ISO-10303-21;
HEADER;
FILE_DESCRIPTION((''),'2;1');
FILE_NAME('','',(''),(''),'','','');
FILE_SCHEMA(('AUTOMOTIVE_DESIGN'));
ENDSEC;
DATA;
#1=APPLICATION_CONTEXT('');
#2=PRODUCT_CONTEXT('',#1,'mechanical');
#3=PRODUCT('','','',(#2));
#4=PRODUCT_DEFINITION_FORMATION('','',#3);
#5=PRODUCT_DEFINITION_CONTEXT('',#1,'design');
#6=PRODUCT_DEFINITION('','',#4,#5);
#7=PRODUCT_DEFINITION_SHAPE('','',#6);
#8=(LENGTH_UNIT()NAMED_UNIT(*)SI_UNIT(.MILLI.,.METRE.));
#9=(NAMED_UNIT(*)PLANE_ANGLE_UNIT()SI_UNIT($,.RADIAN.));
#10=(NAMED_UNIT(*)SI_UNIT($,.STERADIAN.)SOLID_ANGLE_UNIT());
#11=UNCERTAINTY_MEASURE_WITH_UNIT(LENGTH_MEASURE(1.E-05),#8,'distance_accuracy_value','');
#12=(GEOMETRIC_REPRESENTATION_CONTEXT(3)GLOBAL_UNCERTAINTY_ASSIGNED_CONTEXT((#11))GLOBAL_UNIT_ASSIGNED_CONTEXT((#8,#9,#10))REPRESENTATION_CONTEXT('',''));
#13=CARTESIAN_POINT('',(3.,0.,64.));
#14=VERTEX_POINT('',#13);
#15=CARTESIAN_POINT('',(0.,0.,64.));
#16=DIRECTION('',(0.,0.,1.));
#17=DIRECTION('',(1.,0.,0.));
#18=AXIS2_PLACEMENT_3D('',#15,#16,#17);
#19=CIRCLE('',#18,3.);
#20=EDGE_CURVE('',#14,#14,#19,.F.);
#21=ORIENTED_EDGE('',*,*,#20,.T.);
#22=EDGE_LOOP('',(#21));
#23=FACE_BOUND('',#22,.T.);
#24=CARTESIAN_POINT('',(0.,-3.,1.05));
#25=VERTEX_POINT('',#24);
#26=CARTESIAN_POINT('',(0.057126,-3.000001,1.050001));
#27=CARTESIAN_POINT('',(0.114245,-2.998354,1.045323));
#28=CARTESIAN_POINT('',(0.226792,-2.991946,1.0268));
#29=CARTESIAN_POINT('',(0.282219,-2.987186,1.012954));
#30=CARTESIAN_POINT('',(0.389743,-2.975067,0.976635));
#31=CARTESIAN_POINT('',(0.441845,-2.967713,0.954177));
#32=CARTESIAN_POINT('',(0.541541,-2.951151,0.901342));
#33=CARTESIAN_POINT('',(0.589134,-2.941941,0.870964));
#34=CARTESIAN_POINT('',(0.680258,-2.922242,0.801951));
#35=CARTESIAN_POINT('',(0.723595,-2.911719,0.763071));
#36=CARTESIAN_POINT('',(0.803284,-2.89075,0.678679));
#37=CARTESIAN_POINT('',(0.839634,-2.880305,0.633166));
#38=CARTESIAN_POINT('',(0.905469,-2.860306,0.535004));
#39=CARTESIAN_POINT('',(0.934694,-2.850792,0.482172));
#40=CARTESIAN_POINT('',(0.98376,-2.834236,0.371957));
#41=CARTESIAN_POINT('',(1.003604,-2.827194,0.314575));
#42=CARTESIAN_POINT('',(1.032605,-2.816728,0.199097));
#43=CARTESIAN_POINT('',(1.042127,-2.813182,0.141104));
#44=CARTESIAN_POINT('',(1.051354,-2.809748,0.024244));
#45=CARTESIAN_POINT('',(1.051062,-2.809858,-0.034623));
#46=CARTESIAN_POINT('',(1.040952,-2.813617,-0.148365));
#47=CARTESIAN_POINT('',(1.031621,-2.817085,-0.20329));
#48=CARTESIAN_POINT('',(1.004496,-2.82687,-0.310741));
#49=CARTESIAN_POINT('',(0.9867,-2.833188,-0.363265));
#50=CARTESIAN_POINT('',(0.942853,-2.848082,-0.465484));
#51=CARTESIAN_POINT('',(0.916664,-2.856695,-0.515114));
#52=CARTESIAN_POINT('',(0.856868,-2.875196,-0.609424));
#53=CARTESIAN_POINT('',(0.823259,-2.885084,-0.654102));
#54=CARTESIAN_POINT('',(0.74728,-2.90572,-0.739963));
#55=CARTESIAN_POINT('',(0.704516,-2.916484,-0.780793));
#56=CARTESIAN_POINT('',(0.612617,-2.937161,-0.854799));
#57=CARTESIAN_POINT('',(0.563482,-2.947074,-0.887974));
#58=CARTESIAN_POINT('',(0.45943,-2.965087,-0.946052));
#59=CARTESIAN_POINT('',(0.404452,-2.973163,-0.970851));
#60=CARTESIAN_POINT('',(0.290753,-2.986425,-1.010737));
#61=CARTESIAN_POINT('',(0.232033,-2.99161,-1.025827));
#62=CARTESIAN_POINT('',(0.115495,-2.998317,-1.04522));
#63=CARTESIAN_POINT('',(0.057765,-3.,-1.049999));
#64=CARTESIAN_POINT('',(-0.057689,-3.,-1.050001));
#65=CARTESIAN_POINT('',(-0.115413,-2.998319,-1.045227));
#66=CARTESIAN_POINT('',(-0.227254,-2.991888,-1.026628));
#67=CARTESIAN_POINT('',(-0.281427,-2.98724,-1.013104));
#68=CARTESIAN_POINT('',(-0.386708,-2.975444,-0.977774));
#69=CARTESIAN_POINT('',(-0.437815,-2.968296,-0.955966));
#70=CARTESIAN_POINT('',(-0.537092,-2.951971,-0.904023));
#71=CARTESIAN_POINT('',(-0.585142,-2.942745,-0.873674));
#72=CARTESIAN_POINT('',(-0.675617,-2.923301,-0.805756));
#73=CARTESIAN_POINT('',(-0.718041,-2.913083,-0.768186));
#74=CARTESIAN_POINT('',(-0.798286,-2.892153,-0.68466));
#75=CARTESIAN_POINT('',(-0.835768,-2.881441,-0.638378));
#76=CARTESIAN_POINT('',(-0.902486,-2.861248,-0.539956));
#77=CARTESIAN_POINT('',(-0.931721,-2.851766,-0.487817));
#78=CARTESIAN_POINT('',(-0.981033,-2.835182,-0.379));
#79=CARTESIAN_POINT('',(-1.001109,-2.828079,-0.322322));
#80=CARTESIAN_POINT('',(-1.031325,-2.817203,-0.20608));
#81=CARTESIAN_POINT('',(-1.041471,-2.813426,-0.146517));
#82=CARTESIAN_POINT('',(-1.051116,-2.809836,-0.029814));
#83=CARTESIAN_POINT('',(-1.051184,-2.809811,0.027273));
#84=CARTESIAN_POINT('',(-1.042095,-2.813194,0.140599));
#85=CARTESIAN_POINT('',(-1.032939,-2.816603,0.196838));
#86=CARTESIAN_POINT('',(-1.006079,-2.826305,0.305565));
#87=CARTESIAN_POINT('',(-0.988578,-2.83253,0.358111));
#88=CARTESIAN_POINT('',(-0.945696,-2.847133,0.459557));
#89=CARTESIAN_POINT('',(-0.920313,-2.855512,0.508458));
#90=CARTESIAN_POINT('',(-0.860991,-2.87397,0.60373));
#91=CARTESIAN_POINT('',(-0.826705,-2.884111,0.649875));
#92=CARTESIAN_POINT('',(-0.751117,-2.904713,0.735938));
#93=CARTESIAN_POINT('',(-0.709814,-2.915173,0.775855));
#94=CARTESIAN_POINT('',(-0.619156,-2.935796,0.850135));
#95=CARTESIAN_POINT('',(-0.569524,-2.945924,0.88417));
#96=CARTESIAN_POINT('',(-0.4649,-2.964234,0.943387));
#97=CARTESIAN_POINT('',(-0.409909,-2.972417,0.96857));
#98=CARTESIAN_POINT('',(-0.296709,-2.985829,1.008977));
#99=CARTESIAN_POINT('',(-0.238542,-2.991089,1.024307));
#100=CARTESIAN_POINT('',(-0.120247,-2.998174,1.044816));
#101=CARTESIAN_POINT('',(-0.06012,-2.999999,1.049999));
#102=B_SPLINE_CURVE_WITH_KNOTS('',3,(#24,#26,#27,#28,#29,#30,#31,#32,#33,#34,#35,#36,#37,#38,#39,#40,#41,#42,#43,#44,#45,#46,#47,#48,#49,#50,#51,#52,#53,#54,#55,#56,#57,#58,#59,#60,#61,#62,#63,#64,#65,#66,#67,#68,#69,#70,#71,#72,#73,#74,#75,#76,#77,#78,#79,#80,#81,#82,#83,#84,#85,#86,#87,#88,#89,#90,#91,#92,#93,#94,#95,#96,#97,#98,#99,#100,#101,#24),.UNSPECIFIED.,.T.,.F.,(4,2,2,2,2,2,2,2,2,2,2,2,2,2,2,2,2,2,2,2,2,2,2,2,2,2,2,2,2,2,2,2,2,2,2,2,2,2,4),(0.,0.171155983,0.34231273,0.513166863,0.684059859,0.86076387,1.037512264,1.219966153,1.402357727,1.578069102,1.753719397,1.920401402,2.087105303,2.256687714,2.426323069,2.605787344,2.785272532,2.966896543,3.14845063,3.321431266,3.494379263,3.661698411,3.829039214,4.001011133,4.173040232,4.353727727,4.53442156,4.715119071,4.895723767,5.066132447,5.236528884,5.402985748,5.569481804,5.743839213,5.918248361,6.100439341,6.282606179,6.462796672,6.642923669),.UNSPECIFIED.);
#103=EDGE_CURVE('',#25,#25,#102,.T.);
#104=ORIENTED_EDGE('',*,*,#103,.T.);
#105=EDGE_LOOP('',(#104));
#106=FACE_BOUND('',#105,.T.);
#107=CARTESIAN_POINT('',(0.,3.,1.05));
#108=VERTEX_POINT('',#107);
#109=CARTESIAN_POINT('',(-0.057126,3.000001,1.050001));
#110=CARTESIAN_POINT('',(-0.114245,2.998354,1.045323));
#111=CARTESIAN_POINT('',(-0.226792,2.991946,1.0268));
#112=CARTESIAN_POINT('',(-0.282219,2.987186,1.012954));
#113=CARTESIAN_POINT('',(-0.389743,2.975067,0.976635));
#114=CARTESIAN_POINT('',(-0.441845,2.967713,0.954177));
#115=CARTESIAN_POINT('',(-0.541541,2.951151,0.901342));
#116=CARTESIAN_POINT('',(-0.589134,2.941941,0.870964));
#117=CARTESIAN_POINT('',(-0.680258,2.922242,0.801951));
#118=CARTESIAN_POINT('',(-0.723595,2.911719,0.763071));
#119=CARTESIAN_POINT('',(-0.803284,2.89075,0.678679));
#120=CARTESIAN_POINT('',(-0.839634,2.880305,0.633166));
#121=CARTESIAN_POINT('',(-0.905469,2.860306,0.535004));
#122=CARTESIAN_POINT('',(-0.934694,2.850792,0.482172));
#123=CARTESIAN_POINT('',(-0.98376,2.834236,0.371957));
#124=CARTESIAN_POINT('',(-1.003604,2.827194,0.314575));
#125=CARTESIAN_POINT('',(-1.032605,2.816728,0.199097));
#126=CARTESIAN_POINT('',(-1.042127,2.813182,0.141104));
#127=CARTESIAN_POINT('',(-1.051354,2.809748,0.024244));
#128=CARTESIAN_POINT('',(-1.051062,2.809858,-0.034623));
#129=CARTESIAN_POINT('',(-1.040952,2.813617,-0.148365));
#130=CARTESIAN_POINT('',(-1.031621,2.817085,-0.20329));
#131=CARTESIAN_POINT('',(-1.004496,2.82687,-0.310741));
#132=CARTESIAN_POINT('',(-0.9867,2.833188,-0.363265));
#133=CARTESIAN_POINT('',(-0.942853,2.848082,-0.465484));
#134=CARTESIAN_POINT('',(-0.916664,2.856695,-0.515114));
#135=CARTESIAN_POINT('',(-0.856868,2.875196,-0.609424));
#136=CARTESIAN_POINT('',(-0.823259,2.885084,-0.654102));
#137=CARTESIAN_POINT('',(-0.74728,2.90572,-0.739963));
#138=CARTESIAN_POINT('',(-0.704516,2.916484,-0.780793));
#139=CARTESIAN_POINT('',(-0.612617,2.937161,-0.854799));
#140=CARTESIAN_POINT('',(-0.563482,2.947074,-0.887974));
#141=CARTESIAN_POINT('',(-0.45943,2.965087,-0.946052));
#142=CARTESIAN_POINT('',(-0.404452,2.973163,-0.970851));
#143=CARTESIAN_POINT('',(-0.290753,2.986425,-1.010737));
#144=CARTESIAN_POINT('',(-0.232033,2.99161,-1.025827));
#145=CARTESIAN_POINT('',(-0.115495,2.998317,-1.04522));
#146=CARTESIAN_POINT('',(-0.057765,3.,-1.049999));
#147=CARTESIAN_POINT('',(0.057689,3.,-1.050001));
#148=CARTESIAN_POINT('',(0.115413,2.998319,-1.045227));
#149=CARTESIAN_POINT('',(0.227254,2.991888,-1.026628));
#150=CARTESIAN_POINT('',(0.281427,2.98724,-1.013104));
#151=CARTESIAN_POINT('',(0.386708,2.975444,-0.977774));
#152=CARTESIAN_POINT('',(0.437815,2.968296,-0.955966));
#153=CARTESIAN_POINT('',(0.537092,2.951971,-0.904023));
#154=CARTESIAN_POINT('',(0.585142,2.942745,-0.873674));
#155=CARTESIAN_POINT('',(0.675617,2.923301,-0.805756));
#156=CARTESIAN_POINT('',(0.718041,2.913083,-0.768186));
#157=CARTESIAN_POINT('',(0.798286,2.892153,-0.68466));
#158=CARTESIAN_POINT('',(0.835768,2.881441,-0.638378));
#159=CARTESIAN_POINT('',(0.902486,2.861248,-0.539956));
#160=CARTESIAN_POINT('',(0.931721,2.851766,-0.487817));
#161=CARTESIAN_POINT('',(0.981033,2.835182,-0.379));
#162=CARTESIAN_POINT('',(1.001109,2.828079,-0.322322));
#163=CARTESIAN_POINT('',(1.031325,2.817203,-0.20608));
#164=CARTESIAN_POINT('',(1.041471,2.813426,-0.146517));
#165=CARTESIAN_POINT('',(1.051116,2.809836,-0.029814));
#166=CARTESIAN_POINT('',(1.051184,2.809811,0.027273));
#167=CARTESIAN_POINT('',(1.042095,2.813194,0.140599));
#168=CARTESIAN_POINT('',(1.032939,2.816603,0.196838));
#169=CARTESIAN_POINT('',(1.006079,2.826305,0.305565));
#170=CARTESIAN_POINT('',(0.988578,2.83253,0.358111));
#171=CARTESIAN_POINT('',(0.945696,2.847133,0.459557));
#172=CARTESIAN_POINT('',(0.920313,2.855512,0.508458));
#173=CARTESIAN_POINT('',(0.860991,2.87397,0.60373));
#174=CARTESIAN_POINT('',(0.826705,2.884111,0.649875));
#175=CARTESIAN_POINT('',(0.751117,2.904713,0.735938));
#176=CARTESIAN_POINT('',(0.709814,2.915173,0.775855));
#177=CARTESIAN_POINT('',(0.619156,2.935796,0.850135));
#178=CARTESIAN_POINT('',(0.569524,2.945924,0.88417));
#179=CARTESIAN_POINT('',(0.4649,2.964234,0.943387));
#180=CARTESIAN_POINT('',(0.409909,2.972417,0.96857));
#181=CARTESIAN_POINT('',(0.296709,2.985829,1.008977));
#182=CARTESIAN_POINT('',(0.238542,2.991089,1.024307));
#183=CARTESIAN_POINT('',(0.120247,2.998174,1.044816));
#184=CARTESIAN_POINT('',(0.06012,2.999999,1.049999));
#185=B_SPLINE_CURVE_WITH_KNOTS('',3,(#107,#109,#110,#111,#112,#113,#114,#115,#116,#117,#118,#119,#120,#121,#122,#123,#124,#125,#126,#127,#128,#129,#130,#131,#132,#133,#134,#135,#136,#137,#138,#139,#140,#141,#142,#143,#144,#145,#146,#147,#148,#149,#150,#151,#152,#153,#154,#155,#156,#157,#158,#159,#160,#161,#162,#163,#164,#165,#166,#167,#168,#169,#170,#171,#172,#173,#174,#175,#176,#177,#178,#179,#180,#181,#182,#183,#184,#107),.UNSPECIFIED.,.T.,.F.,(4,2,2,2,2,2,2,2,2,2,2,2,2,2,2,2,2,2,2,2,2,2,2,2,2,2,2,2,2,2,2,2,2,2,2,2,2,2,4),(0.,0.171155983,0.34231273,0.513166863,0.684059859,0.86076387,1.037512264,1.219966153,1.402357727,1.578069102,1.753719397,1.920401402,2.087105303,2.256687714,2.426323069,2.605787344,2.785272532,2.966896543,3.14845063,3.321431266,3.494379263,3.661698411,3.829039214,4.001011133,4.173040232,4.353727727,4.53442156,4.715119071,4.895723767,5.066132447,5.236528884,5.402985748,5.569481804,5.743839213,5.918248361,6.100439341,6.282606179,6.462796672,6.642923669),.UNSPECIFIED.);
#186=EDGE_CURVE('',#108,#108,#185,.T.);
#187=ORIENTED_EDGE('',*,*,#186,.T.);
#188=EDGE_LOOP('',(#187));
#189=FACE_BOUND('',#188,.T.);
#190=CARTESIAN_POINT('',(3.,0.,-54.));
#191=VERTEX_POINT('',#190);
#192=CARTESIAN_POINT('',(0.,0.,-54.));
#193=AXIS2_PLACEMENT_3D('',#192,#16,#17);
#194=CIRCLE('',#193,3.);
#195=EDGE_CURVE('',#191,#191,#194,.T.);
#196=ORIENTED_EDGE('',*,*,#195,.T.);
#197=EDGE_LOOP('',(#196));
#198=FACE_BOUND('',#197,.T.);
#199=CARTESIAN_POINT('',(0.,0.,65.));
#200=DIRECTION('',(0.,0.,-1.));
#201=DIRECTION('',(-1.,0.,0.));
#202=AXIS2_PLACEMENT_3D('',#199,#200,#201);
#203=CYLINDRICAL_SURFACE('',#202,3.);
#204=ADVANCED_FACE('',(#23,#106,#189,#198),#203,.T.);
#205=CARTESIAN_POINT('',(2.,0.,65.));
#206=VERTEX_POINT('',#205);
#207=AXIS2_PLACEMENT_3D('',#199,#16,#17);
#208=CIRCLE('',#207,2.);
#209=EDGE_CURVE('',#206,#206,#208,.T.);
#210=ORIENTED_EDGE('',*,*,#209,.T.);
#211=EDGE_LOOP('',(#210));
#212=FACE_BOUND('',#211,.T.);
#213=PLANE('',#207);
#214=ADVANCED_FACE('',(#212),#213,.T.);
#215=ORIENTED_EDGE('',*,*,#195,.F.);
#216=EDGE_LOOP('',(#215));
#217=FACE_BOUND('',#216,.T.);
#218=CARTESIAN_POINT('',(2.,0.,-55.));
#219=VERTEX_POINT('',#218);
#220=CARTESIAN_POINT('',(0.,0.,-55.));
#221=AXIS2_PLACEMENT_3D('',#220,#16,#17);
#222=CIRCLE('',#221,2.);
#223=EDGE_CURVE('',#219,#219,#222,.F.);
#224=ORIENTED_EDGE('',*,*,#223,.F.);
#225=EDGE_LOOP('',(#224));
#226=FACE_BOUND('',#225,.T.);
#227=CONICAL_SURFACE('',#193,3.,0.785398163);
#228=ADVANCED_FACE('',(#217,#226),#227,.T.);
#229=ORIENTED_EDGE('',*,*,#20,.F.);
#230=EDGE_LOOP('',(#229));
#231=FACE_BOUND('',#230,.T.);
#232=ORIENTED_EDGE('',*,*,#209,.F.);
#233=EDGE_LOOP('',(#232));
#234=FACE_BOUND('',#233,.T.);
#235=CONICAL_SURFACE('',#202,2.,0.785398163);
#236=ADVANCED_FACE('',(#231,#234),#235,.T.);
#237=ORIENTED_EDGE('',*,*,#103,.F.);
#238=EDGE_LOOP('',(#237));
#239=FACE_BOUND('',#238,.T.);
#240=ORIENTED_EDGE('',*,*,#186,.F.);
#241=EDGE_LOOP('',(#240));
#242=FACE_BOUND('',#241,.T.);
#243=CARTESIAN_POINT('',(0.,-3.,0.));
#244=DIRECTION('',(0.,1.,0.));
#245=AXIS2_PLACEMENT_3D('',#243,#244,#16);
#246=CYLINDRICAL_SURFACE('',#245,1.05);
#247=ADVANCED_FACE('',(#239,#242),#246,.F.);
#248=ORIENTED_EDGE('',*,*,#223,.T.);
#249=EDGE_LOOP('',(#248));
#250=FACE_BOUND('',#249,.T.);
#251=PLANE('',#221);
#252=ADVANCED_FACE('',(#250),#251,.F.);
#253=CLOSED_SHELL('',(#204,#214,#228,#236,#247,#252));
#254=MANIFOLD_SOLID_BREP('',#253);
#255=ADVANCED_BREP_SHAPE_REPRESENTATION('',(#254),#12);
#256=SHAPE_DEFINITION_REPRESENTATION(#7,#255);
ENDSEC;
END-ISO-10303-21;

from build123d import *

# Parameters (mm, degrees)
SZKIC1_R                        = 3
DODANIE_WYCI_GNI_CIE1_DEPTH     = 65
DODANIE_WYCI_GNI_CIE2_START     = 65
SZKIC1_2_R                      = 3
DODANIE_WYCI_GNI_CIE2_DEPTH     = 120
SFAZOWANIE1_SIZE                = 1
SZKIC2_R                        = 1.05
WYTNIJ_WYCI_GNI_CIE1_DEPTH      = 4
WYTNIJ_WYCI_GNI_CIE1_DEPTH_BACK = 4


with BuildPart() as part:
    # Szkic1 → Dodanie-wyci_gni_cie1 (new body)
    with BuildSketch(Plane.XY):
        Circle(SZKIC1_R)
    extrude(amount=DODANIE_WYCI_GNI_CIE1_DEPTH)

    # Szkic1_2 → Dodanie-wyci_gni_cie2 (add)
    with BuildSketch(Plane.XY.offset(DODANIE_WYCI_GNI_CIE2_START)):
        Circle(SZKIC1_2_R)
    extrude(amount=-DODANIE_WYCI_GNI_CIE2_DEPTH)

    # Sfazowanie1
    sfazowanie1_edges = [part.edges().sort_by_distance(p)[0] for p in [
        (-3, 0, 65),
        (-3, 0, -55),
    ]]
    chamfer(sfazowanie1_edges, length=SFAZOWANIE1_SIZE)

    # Szkic2 → Wytnij-wyci_gni_cie1 (cut, two sides)
    with BuildSketch(Plane(origin=(0, 0, 0), x_dir=(1, 0, 0), z_dir=(0, 1, 0))) as wytnij_wyci_gni_cie1_sk:
        Circle(SZKIC2_R)
    extrude(amount=WYTNIJ_WYCI_GNI_CIE1_DEPTH, mode=Mode.SUBTRACT)
    extrude(wytnij_wyci_gni_cie1_sk.sketch, amount=-WYTNIJ_WYCI_GNI_CIE1_DEPTH_BACK, mode=Mode.SUBTRACT)


solid = part.part
